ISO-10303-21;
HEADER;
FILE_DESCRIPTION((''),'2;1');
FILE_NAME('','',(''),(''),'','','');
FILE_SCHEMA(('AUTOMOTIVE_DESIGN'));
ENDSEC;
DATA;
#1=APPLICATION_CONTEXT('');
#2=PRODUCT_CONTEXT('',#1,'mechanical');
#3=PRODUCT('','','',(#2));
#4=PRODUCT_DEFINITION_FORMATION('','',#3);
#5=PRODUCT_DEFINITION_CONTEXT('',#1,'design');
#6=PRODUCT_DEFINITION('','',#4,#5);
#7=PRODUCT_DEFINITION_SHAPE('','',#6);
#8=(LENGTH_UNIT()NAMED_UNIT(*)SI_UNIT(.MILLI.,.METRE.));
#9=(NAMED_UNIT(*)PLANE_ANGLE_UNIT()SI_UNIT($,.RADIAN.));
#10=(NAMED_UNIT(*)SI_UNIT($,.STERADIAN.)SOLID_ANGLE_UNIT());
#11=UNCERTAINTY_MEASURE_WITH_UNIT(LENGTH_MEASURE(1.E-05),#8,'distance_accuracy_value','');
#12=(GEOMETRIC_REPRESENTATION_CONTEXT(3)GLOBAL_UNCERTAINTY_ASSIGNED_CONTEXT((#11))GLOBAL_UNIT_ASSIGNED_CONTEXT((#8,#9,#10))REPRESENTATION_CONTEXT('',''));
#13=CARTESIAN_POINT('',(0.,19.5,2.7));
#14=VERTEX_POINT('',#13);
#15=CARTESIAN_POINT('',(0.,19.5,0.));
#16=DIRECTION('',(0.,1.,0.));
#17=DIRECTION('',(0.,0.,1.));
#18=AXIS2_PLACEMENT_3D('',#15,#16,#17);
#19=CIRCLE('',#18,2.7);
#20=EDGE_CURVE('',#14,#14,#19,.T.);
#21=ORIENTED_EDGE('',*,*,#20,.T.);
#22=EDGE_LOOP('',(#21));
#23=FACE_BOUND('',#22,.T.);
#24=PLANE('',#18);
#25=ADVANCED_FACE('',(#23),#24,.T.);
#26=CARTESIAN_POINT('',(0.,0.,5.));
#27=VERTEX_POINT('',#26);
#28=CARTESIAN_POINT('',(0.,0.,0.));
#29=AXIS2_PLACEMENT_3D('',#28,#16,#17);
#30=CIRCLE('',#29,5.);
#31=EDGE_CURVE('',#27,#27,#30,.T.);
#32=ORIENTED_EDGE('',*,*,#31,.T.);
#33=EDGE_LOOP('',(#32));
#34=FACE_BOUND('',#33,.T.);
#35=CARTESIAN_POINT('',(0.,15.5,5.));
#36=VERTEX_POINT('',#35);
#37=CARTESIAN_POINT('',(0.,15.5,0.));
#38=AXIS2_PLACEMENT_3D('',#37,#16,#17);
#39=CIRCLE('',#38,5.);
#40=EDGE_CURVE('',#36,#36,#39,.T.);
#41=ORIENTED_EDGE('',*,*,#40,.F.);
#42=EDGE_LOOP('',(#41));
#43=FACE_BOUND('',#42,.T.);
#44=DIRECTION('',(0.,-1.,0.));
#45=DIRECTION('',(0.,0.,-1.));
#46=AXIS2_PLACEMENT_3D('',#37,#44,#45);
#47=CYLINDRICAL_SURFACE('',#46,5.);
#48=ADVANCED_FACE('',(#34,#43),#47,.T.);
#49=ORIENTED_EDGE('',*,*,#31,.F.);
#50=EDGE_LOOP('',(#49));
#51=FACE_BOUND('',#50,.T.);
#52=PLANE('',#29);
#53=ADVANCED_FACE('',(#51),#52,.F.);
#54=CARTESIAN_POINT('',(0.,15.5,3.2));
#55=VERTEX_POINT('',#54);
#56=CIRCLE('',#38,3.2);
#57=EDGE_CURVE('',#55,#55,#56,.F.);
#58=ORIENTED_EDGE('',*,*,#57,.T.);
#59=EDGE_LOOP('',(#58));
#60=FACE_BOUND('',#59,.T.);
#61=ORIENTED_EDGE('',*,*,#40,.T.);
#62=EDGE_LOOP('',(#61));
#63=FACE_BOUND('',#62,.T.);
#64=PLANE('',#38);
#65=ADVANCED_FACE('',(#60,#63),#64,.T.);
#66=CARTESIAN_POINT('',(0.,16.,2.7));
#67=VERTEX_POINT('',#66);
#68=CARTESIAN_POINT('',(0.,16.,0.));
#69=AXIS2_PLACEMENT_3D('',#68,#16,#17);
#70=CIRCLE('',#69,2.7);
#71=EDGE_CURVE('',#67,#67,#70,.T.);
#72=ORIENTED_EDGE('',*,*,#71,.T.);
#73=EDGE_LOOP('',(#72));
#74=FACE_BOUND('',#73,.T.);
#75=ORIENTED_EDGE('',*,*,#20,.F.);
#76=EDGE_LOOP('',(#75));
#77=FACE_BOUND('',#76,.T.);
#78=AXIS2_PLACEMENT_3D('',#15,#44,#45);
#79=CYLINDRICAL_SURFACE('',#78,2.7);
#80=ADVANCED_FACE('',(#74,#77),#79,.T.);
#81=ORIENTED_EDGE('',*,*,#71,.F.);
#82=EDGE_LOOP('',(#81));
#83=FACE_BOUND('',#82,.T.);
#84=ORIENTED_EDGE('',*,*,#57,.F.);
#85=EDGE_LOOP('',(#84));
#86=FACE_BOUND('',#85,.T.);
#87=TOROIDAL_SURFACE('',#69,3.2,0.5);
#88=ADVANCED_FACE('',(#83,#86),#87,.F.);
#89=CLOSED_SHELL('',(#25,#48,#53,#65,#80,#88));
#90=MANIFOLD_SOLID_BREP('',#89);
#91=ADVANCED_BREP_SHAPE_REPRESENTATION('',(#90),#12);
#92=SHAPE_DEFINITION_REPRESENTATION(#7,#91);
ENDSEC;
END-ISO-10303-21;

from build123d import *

# Parameters (mm, degrees)
SKETCH1_R           = 5
SKETCH1_R_2         = 2.7
BOSS_EXTRUDE1_DEPTH = 15.5
BOSS_EXTRUDE2_START = 15.5
SKETCH1_4_R         = 2.7
BOSS_EXTRUDE2_DEPTH = 4
FILLET1_R           = 0.5


with BuildPart() as part:
    # Sketch1 → Boss-Extrude1 (new body)
    # profile 1 of 2: a face of its own
    with BuildSketch(Plane(origin=(0, 0, 0), x_dir=(1, 0, 0), z_dir=(0, 1, 0))):
        with Locations(Location((0, 0, 0), (0, 0, 270))):
            Circle(SKETCH1_R)
        Circle(SKETCH1_R_2, mode=Mode.SUBTRACT)
    # profile 2 of 2: a face of its own
    with BuildSketch(Plane(origin=(0, 0, 0), x_dir=(1, 0, 0), z_dir=(0, 1, 0))):
        Circle(SKETCH1_R_2)
    extrude(amount=BOSS_EXTRUDE1_DEPTH)

    # Sketch1<4> → Boss-Extrude2 (add)
    with BuildSketch(Plane(origin=(0, 0, 0), x_dir=(1, 0, 0), z_dir=(0, 1, 0)).offset(BOSS_EXTRUDE2_START)):
        with Locations(Location((0, 0, 0), (0, 0, 270))):
            Circle(SKETCH1_4_R)
    extrude(amount=BOSS_EXTRUDE2_DEPTH)

    # Fillet1
    fillet1_edges = [part.edges().sort_by_distance(p)[0] for p in [
        (0, 15.5, -2.7),
    ]]
    fillet(fillet1_edges, radius=FILLET1_R)


solid = part.part
